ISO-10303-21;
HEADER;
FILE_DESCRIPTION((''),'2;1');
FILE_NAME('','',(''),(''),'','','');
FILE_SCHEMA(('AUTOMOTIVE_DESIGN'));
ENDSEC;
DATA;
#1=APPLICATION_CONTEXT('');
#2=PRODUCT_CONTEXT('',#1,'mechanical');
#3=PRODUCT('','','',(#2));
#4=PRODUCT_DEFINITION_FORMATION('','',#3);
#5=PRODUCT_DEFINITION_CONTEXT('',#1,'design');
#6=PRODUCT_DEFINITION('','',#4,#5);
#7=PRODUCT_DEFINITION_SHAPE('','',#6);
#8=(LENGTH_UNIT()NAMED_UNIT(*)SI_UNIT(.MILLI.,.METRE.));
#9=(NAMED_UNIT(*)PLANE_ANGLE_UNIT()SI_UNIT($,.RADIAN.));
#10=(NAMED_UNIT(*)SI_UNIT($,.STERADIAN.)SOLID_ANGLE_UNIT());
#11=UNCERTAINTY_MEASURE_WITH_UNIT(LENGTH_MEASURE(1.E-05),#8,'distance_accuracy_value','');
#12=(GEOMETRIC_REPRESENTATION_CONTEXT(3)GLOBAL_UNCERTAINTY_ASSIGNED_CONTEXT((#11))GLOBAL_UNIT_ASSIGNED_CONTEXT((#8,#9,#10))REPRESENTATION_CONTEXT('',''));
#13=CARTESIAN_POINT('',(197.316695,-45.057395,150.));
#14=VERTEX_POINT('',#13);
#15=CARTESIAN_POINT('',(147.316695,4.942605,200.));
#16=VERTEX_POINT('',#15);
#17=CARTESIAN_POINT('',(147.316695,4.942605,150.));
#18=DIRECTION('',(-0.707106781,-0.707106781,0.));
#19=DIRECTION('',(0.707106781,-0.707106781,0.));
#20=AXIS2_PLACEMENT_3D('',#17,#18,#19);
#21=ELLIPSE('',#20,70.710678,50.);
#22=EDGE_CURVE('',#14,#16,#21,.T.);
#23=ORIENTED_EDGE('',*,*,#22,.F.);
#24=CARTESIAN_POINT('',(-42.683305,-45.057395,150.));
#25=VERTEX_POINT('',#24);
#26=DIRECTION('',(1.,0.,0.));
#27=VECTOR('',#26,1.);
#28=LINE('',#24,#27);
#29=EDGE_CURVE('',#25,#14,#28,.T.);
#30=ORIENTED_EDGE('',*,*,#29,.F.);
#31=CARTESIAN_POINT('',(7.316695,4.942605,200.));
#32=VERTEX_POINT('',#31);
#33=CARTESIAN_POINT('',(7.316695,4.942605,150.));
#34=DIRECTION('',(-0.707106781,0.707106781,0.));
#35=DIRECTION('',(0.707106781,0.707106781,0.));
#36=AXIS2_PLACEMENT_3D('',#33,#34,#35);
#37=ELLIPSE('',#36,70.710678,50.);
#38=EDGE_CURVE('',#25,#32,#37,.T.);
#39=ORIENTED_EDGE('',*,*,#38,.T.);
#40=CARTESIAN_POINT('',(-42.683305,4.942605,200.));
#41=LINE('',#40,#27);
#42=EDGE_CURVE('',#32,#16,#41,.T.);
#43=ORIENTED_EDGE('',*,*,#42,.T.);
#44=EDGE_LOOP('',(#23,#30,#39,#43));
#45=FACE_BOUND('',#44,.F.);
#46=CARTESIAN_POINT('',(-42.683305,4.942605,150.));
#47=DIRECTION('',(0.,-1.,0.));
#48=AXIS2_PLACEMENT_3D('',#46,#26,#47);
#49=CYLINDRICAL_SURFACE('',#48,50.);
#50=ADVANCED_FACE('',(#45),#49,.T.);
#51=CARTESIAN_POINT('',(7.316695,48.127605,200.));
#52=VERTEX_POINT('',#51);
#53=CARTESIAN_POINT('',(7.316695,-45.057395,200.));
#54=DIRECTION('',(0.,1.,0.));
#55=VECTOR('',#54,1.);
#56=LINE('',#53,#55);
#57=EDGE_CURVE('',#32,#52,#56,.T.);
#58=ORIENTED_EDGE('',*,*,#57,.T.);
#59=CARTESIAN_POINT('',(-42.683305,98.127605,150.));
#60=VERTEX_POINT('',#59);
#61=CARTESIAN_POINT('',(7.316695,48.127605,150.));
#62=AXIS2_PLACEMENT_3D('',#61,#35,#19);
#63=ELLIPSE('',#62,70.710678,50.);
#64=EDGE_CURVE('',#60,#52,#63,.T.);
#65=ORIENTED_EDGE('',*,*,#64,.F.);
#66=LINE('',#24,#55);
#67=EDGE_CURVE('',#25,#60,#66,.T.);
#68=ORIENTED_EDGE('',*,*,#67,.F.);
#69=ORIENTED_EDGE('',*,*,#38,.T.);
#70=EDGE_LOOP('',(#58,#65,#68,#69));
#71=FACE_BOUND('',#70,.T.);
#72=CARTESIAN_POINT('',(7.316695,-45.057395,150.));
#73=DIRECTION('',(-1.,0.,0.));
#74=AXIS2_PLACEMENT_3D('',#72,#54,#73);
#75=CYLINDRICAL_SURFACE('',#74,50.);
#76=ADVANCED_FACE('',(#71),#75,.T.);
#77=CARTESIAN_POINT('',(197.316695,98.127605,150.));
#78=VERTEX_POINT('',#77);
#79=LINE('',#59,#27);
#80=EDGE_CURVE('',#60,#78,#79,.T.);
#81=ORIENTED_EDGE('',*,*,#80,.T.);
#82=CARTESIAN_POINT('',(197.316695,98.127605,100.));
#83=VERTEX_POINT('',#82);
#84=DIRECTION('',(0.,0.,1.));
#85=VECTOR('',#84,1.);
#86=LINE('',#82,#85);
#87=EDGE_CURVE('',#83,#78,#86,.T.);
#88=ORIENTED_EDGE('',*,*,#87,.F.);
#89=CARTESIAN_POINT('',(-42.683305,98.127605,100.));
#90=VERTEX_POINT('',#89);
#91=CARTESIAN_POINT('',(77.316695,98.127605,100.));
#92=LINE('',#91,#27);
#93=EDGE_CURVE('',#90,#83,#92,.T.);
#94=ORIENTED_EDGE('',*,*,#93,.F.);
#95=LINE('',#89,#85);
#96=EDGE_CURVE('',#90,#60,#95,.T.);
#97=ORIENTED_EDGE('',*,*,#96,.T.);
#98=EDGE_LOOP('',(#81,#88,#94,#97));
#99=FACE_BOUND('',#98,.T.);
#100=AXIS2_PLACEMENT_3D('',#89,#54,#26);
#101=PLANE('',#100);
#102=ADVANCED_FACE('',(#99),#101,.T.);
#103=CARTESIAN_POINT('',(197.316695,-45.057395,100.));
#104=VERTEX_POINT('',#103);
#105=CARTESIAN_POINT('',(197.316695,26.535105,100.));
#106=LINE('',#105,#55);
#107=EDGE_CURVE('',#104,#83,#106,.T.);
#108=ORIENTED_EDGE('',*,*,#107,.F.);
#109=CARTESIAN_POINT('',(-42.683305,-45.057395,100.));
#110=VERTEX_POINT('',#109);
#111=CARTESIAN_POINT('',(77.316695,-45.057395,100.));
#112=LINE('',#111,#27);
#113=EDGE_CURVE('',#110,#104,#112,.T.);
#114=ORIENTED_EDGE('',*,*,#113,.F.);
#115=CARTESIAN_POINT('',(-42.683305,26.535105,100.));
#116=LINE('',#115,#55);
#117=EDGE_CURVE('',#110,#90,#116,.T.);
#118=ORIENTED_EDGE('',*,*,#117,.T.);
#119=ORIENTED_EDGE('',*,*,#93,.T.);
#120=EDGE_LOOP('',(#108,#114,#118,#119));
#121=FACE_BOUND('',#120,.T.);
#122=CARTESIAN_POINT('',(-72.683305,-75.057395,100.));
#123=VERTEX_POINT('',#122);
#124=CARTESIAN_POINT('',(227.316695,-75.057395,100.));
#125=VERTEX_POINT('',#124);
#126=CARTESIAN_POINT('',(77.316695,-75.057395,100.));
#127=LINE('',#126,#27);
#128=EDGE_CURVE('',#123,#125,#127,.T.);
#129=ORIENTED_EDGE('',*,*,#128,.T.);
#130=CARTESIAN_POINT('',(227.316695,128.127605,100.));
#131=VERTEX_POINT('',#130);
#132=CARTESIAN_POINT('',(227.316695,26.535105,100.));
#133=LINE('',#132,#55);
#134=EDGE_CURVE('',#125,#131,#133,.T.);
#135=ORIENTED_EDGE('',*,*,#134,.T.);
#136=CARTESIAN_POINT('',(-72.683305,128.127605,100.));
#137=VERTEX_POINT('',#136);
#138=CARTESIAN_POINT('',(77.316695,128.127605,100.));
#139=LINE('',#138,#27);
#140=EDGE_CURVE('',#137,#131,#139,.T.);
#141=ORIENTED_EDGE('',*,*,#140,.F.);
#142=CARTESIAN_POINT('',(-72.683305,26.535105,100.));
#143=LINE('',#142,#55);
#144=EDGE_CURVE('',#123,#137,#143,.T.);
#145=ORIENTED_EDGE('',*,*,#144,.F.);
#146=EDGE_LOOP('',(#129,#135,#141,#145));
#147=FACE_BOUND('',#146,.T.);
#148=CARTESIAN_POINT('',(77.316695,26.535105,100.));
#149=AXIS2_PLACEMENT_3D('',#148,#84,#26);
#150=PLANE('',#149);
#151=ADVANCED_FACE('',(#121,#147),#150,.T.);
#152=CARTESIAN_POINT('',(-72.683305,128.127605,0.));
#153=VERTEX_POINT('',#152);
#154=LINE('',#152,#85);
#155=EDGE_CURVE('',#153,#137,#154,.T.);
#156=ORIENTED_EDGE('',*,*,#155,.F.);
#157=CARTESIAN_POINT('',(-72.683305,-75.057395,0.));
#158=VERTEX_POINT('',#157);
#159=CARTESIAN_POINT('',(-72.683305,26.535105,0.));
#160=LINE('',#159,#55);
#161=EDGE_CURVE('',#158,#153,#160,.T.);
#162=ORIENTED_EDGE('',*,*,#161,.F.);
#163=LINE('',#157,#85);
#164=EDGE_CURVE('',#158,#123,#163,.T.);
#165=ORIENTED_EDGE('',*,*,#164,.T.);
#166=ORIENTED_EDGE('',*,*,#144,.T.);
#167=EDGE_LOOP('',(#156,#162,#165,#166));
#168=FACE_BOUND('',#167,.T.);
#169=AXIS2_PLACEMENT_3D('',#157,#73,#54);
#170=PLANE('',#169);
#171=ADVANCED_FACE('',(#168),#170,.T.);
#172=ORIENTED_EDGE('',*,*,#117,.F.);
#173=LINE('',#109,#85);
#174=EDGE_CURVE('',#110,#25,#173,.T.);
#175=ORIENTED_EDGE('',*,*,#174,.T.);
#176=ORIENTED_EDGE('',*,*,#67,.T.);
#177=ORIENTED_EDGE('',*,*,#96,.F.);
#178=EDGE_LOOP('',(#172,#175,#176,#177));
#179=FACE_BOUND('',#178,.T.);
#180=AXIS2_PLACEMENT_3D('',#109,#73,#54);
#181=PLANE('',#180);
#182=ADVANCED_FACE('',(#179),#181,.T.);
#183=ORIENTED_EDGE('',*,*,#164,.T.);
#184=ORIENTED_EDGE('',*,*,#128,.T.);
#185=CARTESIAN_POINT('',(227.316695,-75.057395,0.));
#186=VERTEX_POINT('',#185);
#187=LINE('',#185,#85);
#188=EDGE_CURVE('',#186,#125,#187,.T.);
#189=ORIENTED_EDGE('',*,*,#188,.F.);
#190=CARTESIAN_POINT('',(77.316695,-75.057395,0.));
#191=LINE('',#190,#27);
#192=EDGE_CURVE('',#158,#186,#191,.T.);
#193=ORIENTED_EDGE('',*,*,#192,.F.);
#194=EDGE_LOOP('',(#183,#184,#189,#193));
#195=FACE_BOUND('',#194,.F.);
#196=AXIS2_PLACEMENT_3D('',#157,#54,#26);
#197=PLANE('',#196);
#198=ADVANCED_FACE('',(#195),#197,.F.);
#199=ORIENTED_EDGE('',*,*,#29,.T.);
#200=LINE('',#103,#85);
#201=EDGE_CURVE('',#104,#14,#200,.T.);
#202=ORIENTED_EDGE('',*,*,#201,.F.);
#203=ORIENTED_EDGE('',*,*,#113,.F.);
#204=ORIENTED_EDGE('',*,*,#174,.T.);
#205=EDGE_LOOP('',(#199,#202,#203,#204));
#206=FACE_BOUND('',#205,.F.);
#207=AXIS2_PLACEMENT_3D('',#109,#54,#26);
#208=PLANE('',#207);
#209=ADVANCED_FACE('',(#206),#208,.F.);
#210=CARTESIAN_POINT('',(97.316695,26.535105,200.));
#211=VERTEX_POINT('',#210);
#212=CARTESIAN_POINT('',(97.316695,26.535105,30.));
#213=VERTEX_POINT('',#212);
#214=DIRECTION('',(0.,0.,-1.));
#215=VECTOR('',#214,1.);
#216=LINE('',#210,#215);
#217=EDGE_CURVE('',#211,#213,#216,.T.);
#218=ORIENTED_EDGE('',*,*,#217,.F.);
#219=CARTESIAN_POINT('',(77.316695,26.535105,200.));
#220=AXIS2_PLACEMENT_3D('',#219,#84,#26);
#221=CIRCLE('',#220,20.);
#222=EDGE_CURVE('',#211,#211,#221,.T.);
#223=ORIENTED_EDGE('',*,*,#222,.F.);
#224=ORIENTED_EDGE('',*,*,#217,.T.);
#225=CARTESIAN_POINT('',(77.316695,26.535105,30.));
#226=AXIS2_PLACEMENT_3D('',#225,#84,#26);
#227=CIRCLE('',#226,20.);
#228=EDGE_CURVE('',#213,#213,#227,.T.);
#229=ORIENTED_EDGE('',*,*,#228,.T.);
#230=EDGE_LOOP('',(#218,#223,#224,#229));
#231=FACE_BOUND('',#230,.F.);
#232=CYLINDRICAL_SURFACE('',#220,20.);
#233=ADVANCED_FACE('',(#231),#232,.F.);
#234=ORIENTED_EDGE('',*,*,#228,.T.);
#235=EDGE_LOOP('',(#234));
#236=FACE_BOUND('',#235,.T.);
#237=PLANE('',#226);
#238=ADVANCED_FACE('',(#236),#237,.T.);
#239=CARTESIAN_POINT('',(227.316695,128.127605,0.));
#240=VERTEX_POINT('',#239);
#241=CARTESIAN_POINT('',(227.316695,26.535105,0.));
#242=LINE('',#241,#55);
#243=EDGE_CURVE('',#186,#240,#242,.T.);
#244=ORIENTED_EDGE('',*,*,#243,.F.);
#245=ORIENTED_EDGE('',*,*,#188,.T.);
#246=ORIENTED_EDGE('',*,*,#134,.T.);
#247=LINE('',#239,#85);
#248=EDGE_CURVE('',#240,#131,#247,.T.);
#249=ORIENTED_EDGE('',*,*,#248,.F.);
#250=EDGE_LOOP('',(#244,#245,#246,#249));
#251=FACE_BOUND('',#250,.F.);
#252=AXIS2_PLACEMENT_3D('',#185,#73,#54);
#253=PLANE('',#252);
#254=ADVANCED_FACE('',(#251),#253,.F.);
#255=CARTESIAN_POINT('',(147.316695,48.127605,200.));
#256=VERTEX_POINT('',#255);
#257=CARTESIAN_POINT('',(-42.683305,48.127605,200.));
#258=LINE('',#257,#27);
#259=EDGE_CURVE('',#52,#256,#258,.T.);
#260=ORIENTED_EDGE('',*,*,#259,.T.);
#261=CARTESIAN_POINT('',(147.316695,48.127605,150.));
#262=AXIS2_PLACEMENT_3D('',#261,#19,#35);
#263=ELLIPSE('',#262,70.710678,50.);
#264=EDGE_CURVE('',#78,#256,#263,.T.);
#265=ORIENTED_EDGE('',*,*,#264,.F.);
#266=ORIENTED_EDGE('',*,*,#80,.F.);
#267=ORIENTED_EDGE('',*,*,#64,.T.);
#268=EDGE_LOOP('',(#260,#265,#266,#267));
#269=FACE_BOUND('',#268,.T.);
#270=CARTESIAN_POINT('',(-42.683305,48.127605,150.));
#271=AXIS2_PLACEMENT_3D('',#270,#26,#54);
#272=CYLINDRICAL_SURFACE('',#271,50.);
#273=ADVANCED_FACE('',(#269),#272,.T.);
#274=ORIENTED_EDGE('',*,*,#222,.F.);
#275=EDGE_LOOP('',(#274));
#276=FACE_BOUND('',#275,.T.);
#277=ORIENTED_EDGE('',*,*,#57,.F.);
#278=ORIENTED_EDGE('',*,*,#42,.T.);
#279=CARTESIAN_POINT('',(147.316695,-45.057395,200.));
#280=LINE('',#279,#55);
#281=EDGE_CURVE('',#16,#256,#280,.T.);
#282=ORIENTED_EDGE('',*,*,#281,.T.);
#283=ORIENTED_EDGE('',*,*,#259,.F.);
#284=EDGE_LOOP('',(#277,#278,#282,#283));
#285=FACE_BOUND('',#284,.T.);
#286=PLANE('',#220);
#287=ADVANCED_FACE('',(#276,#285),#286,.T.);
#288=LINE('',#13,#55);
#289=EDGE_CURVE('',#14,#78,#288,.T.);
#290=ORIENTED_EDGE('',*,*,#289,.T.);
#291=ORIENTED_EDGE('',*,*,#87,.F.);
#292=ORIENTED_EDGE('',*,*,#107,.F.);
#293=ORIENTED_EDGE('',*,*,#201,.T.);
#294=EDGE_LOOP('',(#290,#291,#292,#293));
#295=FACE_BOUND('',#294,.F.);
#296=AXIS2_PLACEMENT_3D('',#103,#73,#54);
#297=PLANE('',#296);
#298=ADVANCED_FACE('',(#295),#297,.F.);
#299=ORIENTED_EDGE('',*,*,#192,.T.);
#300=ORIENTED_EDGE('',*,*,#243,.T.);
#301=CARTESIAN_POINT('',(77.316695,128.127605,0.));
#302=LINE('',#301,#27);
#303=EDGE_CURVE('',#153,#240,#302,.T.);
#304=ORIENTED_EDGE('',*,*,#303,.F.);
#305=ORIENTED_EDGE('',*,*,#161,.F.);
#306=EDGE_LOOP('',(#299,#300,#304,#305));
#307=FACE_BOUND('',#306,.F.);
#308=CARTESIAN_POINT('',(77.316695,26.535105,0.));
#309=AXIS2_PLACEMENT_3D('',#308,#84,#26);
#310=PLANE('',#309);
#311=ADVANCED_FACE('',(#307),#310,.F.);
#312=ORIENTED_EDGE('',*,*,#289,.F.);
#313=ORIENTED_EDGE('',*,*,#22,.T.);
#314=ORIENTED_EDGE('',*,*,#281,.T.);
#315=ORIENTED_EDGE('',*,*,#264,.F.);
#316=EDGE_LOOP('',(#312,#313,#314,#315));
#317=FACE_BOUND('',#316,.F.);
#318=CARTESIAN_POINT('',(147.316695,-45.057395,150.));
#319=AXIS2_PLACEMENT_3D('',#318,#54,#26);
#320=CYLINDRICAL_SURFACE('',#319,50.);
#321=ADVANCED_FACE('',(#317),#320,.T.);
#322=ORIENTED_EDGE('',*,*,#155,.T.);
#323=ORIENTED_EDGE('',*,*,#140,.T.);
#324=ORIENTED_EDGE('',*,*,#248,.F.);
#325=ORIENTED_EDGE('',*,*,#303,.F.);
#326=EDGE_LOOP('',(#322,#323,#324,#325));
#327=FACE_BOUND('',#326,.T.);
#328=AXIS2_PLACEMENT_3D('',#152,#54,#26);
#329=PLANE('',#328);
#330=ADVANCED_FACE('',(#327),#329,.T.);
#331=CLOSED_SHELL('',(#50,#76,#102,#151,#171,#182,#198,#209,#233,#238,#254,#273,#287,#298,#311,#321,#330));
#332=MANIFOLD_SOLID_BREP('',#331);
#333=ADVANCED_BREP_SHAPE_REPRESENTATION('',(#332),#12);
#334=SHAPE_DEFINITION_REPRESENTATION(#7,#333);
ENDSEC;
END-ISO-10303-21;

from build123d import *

# Parameters (mm, degrees)
F0_W     = 300
F0_H     = 203.185
F1_DEPTH = 100
F2_W     = 240
F2_H     = 143.185
F3_DEPTH = 100
F4_R     = 50
F5_R     = 20
F6_DEPTH = 170


with BuildPart() as f1:
    # F0 (on Top) → F1 (new body)
    with BuildSketch(Plane.XY):
        with Locations((77.316695, 26.535105)):
            Rectangle(F0_W, F0_H)
    extrude(amount=F1_DEPTH)

    # F2 (on face) → F3 (join)
    with BuildSketch(Plane.XY.offset(100)):
        with Locations((77.316695, 26.535105)):
            Rectangle(F2_W, F2_H)
    extrude(amount=F3_DEPTH)

    # F4
    f4_edges = [f1.edges().sort_by_distance(p)[0] for p in [
        (77.316695, 98.127605, 200),
        (-42.683305, 26.535105, 200),
        (77.316695, -45.057395, 200),
        (197.316695, 26.535105, 200),
    ]]
    fillet(f4_edges, radius=F4_R)

    # F5 (on face) → F6 (cut)
    with BuildSketch(Plane.XY.offset(200)):
        with Locations((77.316695, 26.535105)):
            Circle(F5_R)
    extrude(amount=-F6_DEPTH, mode=Mode.SUBTRACT)


solid = f1.part
